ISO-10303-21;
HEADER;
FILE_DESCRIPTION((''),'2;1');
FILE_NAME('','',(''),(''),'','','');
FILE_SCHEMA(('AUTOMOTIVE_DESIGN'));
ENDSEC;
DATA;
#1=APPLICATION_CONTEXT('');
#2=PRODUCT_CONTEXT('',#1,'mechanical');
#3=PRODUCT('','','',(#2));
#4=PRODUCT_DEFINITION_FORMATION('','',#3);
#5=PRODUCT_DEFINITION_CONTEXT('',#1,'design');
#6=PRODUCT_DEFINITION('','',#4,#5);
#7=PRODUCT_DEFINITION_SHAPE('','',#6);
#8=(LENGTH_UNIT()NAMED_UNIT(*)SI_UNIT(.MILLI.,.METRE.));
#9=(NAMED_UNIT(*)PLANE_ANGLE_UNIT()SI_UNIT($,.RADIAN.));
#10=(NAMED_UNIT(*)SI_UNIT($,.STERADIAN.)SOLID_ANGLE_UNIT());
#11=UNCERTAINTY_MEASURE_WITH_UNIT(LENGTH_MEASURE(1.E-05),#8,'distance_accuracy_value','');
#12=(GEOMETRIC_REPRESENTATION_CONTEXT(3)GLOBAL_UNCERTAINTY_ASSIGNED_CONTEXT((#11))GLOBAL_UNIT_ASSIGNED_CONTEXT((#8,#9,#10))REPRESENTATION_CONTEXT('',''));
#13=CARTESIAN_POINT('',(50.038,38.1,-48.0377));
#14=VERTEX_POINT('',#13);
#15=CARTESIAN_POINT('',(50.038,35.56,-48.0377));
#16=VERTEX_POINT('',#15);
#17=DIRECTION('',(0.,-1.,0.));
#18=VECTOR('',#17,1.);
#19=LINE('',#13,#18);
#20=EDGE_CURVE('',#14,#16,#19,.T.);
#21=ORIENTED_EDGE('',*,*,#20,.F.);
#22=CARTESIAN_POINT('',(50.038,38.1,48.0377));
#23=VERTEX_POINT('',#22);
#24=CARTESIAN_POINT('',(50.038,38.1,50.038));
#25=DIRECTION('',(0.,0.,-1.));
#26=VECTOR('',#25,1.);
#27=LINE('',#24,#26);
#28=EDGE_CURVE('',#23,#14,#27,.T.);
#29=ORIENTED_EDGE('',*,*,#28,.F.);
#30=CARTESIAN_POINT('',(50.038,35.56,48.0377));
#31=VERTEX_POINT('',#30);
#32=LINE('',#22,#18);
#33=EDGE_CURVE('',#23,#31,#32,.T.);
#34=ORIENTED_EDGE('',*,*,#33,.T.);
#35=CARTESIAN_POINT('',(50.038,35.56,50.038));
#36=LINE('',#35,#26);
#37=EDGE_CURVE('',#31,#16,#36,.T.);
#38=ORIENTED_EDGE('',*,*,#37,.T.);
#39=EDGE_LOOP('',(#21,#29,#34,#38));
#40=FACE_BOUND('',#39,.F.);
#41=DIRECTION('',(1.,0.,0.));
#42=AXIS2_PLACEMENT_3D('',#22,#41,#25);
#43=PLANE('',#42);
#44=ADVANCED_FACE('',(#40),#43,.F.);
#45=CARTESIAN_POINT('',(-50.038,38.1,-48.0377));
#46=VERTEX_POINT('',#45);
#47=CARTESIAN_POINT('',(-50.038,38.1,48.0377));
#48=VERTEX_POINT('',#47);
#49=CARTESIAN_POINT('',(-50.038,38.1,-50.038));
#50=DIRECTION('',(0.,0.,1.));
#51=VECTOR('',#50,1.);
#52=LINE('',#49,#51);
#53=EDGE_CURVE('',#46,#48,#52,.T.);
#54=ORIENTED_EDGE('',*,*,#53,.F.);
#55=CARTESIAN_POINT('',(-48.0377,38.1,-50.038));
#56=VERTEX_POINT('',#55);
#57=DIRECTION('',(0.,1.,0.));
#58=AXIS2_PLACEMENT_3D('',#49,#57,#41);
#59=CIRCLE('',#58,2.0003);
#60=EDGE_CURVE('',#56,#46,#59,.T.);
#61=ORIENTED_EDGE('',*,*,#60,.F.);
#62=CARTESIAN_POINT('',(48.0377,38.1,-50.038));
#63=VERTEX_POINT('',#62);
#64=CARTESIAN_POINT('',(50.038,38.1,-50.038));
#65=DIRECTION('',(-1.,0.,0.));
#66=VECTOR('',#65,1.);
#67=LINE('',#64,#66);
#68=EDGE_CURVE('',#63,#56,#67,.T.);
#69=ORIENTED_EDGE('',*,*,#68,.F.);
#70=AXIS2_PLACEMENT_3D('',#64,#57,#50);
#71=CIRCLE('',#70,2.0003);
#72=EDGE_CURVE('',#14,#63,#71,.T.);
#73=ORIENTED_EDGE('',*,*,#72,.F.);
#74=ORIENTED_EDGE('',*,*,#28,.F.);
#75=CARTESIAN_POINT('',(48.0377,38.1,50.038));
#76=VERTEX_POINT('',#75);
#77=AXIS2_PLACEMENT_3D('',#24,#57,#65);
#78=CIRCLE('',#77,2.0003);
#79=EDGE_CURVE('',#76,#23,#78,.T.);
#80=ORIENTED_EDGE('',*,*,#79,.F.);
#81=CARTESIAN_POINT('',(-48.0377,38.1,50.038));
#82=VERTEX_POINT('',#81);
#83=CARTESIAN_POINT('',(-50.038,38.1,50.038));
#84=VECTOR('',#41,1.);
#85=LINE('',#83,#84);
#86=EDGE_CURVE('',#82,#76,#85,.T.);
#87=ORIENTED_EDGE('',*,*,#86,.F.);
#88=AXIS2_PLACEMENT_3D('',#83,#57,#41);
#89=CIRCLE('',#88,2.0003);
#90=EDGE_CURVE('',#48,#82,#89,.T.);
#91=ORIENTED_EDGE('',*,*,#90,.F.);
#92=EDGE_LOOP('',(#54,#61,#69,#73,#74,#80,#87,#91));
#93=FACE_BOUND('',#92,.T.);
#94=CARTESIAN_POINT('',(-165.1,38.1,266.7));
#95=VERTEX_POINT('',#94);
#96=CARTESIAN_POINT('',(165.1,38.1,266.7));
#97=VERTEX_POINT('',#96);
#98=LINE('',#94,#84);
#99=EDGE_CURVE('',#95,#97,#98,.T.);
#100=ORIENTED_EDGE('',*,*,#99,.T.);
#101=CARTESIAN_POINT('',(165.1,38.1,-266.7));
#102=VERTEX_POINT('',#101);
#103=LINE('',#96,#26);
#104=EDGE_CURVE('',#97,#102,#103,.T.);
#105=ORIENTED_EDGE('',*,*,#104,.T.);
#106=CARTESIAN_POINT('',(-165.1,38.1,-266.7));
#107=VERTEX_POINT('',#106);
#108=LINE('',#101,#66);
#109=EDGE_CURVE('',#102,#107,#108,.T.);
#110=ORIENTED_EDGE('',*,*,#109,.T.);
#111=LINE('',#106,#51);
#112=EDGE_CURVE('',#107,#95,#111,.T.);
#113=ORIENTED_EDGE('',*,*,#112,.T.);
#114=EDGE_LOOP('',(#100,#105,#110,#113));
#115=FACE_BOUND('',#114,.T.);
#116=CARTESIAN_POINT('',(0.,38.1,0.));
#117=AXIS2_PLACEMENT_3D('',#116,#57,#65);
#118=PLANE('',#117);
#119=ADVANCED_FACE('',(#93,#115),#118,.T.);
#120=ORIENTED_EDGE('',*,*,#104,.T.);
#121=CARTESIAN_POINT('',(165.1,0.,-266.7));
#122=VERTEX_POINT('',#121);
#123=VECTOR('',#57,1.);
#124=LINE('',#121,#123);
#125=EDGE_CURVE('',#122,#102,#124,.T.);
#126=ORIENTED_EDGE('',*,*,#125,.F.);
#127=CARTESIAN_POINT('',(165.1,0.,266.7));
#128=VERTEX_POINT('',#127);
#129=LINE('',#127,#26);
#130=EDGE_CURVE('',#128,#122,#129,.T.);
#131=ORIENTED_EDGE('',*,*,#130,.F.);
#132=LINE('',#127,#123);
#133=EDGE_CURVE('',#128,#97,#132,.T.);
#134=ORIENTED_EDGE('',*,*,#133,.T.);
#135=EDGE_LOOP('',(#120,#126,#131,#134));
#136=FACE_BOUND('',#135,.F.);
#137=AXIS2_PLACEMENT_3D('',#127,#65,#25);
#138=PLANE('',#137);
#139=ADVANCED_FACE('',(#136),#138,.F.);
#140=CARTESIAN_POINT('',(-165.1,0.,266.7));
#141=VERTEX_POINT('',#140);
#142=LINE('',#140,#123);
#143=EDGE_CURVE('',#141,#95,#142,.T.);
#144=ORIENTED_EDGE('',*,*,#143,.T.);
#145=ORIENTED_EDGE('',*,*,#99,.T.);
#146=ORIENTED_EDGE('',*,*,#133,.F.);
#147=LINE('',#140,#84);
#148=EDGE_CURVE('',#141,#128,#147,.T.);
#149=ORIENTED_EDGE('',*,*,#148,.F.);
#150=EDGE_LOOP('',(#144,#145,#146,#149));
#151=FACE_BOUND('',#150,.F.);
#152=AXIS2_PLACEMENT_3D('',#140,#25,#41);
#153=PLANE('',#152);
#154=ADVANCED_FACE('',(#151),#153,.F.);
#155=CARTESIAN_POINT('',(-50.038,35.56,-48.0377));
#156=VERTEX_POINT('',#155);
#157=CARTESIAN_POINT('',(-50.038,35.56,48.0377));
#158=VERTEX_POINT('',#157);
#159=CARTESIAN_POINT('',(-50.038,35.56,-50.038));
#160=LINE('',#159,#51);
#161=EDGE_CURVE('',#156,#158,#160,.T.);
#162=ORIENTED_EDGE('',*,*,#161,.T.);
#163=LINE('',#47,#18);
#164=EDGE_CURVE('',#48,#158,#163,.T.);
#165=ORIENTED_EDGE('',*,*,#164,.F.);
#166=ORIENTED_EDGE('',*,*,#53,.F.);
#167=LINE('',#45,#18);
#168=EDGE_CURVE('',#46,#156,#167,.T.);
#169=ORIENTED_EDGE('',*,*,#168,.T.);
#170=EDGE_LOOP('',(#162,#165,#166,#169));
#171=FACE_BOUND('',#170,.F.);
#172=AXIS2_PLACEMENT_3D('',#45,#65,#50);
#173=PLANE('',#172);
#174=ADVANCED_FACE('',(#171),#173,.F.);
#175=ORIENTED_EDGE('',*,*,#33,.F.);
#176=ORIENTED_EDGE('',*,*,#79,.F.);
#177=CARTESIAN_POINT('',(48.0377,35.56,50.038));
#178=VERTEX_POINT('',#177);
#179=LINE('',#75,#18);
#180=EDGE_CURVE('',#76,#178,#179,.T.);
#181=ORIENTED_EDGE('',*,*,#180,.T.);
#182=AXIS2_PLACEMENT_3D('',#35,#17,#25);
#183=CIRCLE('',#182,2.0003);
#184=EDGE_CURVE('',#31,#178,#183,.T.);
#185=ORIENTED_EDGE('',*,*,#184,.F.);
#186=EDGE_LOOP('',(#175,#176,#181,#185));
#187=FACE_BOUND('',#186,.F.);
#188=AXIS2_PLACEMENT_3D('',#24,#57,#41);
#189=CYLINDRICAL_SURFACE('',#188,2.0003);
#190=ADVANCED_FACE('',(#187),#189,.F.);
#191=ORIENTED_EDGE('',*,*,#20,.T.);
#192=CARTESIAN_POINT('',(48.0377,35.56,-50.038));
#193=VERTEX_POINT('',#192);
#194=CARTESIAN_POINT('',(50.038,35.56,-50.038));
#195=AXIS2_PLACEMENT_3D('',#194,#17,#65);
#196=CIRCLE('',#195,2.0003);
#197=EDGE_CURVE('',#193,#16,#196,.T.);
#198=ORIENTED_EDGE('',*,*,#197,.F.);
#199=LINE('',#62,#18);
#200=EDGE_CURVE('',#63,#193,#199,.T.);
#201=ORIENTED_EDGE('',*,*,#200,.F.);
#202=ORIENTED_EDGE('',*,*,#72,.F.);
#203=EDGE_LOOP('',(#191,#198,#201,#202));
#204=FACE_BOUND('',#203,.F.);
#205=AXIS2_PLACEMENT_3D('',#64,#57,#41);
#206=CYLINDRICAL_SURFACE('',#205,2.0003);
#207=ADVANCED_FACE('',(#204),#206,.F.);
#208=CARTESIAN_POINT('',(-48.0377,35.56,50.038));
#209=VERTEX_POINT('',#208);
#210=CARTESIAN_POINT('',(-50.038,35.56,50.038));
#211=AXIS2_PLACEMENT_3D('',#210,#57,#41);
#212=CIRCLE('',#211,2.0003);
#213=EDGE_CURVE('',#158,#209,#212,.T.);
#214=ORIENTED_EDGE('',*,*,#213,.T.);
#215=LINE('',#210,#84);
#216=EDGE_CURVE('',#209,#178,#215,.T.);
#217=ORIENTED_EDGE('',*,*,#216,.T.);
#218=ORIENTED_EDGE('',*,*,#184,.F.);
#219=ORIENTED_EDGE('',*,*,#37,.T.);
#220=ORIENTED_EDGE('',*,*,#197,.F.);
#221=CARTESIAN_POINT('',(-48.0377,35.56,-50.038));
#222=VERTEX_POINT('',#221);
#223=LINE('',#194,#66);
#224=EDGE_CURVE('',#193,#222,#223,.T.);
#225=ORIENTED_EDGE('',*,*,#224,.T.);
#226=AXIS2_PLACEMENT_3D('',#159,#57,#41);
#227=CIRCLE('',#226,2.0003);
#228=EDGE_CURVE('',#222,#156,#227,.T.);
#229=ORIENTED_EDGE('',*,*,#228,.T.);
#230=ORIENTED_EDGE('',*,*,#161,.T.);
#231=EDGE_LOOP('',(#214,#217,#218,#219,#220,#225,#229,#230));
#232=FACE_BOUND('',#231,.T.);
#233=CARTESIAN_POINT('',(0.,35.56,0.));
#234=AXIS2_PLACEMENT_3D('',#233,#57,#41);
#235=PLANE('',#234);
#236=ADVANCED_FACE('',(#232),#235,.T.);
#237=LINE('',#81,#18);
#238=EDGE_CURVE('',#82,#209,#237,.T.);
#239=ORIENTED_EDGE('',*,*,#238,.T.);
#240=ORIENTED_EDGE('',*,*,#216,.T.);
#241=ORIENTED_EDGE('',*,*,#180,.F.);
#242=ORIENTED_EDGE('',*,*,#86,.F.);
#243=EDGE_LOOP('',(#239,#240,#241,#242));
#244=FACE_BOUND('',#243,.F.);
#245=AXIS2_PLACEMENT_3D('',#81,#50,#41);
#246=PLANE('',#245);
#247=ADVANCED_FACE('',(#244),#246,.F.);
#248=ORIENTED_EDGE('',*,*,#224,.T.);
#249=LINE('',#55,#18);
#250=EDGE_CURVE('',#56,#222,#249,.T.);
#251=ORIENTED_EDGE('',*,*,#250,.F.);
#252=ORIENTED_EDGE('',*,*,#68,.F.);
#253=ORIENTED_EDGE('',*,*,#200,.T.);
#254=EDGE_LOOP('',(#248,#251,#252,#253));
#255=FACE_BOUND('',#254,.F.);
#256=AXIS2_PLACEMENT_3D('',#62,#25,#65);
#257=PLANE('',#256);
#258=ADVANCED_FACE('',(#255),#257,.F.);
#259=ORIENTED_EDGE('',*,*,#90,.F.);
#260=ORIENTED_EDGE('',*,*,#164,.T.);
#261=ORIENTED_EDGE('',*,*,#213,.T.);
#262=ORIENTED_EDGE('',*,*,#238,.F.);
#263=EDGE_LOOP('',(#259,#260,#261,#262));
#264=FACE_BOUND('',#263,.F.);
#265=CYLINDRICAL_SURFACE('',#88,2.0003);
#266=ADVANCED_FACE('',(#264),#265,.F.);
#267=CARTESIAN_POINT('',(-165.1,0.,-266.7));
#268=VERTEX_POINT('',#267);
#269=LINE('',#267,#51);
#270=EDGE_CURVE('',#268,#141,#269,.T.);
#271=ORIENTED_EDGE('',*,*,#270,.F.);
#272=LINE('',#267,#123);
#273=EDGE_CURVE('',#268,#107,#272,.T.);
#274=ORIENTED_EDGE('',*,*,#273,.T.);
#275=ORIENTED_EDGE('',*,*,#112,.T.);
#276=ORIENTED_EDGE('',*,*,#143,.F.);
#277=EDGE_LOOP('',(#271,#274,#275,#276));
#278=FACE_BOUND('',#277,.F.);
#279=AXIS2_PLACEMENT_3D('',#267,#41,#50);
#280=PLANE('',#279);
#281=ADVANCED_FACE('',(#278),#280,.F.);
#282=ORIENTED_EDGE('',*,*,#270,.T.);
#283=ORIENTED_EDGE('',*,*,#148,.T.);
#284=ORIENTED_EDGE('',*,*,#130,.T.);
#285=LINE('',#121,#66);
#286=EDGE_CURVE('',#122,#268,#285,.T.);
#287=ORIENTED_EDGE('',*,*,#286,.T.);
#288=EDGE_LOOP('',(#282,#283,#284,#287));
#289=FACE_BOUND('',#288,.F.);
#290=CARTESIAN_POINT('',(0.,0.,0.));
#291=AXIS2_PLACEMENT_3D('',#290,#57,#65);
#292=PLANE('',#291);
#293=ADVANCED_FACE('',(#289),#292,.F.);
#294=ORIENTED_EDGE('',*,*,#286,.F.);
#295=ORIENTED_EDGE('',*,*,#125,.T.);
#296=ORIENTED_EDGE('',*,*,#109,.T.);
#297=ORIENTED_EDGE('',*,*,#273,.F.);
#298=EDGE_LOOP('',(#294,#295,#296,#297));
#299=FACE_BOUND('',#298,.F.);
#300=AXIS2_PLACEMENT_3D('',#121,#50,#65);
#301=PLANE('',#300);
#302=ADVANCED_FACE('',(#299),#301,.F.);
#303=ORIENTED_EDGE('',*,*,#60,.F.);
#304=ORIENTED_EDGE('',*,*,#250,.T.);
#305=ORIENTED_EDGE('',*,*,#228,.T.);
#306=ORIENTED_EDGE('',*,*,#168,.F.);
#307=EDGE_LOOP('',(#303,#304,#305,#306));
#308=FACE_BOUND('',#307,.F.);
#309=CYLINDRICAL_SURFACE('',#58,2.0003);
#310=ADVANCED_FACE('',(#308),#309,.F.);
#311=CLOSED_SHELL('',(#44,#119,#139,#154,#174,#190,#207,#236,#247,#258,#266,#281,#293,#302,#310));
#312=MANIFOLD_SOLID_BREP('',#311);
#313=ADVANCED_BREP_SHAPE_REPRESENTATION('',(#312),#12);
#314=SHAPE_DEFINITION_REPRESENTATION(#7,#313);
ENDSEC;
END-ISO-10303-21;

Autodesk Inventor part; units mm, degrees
ref_plane "YZ Plane" through (0, 0, 0) normal (1, 0, 0) x (0, 1, 0)
ref_plane "XZ Plane" through (0, 0, 0) normal (0, 1, 0) x (-1, 0, 0)
ref_plane "XY Plane" through (0, 0, 0) normal (0, 0, 1) x (1, 0, 0)
sketch "Sketch1" plane through (0, 0, 0) normal (0, 1, 0) x (-1, 0, 0)
  line L0 (165.1, 266.7) -> (-165.1, 266.7)
  line L1 (-165.1, 266.7) -> (-165.1, -266.7)
  line L2 (-165.1, -266.7) -> (165.1, -266.7)
  line L3 (165.1, -266.7) -> (165.1, 266.7)
  point P0 (0, 0)
  dimension "d0" = 533.4
  dimension "d1" = 330.2
  dimension "d2" = 266.7
  dimension "d3" = 165.1
extrude "Extrusion1" add sketch "Sketch1" along normal blind 38.1
sketch "Sketch2" plane through (0, 38.1, 0) normal (0, 1, 0) x (1, 0, 0)
  line L0 (-165.1, -266.7) -> (165.1, -266.7) projected
  line L1 (165.1, 266.7) -> (-165.1, 266.7) projected
  line L2 (-50.038, -50.038) -> (50.038, -50.038)
  line L3 (50.038, -50.038) -> (50.038, 50.038)
  line L4 (50.038, 50.038) -> (-50.038, 50.038)
  line L5 (-50.038, 50.038) -> (-50.038, -50.038)
  circle A0 centre (-50.038, 50.038) radius 2.0003
  circle A1 centre (50.038, 50.038) radius 2.0003
  circle A2 centre (50.038, -50.038) radius 2.0003
  circle A3 centre (-50.038, -50.038) radius 2.0003
  point P0 (-50.038, -48.0378)
  point P1 (-48.0377, -50.038)
  point P2 (48.0378, -50.038)
  point P3 (50.038, -48.0378)
  point P4 (50.038, 48.0378)
  point P5 (48.0378, 50.038)
  point P6 (-48.0377, 50.038)
  point P7 (-50.038, 48.0378)
  dimension "d20" = 100.076
  dimension "d21" = 100.076
  dimension "d22" = 115.062
  dimension "d23" = 115.062
  dimension "d24" = 216.662
  dimension "d25" = 216.662
  dimension "d26" = 4.0005
  dimension "d27" = 4.0005
  dimension "d28" = 4.0005
  dimension "d29" = 4.0005
extrude "Extrusion2" cut sketch "Sketch2" against normal blind 2.54
ref_plane "Work Plane1" through (0, 0, -266.7) normal (-1, 0, 0) x (0, 0, 1)
equation "\"d2\" = 0.5 * d0"
equation "\"d3\" = 0.5 * d1"
equation "\"d22\" = d23"
equation "\"d24\" = d25"
equation "\"d26\" = d29"
equation "\"d27\" = d29"
equation "\"d28\" = d29"
properties part number "Monitor"
